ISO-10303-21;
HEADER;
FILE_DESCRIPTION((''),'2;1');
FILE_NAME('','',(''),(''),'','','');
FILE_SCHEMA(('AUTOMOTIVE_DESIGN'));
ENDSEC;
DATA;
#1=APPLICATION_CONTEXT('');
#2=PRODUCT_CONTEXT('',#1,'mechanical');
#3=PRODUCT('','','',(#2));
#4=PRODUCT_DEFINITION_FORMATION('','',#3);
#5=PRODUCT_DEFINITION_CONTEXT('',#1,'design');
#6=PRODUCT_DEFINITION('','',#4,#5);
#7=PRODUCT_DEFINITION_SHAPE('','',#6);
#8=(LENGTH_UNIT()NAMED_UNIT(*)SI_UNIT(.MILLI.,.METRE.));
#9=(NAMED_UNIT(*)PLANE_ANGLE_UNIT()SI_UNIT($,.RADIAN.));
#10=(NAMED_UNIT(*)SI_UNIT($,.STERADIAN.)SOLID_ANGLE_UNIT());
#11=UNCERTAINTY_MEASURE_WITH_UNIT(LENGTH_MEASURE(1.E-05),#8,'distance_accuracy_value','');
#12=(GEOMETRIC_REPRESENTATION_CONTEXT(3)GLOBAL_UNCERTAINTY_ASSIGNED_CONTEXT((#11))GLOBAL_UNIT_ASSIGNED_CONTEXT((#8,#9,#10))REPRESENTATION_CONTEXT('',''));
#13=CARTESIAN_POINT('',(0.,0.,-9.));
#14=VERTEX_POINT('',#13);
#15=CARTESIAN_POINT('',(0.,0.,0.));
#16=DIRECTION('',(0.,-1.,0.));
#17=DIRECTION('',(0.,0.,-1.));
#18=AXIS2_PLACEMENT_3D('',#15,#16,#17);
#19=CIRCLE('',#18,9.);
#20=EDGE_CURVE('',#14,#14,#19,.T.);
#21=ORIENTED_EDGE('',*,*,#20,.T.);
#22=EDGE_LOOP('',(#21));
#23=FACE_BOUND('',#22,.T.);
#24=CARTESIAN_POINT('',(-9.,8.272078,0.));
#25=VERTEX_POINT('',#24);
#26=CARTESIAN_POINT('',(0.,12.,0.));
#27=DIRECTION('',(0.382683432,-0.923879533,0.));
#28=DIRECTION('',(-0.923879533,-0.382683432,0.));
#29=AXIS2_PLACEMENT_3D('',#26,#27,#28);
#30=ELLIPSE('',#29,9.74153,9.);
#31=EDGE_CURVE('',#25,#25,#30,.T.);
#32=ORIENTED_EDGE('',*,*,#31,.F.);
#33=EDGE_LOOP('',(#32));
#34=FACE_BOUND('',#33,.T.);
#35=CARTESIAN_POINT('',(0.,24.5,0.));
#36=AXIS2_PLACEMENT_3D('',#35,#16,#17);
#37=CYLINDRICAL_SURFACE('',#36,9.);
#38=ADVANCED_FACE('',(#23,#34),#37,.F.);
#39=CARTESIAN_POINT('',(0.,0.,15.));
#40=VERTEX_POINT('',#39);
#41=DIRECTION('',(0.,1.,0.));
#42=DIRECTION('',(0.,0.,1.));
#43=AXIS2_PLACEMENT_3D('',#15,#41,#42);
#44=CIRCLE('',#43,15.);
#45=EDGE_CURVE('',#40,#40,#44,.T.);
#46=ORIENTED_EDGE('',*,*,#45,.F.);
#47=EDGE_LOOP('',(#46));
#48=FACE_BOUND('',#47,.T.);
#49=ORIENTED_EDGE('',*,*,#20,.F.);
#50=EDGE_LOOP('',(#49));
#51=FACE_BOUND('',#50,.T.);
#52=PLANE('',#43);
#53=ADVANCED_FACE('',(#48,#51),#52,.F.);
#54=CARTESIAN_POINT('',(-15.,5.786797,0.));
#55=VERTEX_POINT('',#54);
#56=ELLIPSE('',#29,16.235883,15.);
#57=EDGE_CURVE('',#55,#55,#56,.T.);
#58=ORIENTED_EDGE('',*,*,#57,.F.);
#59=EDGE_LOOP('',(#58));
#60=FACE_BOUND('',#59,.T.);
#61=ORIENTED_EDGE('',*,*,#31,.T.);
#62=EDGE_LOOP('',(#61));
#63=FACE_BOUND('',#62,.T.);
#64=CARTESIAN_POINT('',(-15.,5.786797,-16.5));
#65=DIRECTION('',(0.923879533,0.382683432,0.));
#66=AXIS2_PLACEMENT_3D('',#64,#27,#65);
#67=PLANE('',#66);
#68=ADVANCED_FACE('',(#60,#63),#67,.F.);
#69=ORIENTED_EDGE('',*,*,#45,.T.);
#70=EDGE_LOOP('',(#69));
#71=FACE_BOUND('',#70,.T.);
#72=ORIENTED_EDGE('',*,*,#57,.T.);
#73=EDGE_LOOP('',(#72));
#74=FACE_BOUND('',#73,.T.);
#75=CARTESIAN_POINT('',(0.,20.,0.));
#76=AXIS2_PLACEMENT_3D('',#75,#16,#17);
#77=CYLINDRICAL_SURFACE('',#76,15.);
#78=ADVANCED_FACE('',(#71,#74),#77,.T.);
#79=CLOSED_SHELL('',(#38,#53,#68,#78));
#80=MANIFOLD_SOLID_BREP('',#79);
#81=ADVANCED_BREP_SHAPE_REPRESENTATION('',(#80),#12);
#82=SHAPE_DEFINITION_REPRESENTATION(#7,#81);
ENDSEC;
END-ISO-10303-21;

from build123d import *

# Parameters (mm, degrees)
SKETCH_1_R          = 15
EXTRUDE_1_DEPTH     = 20
CUT_EXTRUDE_1_DEPTH = 16.5
SKETCH_7_R          = 9
CUT_EXTRUDE_2_DEPTH = 24.5


with BuildPart() as part:
    # 草图1 → 凸台-拉伸1 (new body)
    with BuildSketch(Plane(origin=(0, 0, 0), x_dir=(1, 0, 0), z_dir=(0, 1, 0))):
        Circle(SKETCH_1_R)
    extrude(amount=EXTRUDE_1_DEPTH)

    # 草图2 → 切除-拉伸1 (cut, symmetric)
    with BuildSketch(Plane.XY):
        Polygon((-15, 5.786796564), (15, 18.213203436), (15, 34.074049074), (-15, 34.074049074), align=None)
    extrude(amount=CUT_EXTRUDE_1_DEPTH, both=True, mode=Mode.SUBTRACT)

    # 草图7 → 切除-拉伸2 (cut)
    with BuildSketch(Plane.XZ):
        Circle(SKETCH_7_R)
    extrude(amount=-CUT_EXTRUDE_2_DEPTH, mode=Mode.SUBTRACT)


solid = part.part
